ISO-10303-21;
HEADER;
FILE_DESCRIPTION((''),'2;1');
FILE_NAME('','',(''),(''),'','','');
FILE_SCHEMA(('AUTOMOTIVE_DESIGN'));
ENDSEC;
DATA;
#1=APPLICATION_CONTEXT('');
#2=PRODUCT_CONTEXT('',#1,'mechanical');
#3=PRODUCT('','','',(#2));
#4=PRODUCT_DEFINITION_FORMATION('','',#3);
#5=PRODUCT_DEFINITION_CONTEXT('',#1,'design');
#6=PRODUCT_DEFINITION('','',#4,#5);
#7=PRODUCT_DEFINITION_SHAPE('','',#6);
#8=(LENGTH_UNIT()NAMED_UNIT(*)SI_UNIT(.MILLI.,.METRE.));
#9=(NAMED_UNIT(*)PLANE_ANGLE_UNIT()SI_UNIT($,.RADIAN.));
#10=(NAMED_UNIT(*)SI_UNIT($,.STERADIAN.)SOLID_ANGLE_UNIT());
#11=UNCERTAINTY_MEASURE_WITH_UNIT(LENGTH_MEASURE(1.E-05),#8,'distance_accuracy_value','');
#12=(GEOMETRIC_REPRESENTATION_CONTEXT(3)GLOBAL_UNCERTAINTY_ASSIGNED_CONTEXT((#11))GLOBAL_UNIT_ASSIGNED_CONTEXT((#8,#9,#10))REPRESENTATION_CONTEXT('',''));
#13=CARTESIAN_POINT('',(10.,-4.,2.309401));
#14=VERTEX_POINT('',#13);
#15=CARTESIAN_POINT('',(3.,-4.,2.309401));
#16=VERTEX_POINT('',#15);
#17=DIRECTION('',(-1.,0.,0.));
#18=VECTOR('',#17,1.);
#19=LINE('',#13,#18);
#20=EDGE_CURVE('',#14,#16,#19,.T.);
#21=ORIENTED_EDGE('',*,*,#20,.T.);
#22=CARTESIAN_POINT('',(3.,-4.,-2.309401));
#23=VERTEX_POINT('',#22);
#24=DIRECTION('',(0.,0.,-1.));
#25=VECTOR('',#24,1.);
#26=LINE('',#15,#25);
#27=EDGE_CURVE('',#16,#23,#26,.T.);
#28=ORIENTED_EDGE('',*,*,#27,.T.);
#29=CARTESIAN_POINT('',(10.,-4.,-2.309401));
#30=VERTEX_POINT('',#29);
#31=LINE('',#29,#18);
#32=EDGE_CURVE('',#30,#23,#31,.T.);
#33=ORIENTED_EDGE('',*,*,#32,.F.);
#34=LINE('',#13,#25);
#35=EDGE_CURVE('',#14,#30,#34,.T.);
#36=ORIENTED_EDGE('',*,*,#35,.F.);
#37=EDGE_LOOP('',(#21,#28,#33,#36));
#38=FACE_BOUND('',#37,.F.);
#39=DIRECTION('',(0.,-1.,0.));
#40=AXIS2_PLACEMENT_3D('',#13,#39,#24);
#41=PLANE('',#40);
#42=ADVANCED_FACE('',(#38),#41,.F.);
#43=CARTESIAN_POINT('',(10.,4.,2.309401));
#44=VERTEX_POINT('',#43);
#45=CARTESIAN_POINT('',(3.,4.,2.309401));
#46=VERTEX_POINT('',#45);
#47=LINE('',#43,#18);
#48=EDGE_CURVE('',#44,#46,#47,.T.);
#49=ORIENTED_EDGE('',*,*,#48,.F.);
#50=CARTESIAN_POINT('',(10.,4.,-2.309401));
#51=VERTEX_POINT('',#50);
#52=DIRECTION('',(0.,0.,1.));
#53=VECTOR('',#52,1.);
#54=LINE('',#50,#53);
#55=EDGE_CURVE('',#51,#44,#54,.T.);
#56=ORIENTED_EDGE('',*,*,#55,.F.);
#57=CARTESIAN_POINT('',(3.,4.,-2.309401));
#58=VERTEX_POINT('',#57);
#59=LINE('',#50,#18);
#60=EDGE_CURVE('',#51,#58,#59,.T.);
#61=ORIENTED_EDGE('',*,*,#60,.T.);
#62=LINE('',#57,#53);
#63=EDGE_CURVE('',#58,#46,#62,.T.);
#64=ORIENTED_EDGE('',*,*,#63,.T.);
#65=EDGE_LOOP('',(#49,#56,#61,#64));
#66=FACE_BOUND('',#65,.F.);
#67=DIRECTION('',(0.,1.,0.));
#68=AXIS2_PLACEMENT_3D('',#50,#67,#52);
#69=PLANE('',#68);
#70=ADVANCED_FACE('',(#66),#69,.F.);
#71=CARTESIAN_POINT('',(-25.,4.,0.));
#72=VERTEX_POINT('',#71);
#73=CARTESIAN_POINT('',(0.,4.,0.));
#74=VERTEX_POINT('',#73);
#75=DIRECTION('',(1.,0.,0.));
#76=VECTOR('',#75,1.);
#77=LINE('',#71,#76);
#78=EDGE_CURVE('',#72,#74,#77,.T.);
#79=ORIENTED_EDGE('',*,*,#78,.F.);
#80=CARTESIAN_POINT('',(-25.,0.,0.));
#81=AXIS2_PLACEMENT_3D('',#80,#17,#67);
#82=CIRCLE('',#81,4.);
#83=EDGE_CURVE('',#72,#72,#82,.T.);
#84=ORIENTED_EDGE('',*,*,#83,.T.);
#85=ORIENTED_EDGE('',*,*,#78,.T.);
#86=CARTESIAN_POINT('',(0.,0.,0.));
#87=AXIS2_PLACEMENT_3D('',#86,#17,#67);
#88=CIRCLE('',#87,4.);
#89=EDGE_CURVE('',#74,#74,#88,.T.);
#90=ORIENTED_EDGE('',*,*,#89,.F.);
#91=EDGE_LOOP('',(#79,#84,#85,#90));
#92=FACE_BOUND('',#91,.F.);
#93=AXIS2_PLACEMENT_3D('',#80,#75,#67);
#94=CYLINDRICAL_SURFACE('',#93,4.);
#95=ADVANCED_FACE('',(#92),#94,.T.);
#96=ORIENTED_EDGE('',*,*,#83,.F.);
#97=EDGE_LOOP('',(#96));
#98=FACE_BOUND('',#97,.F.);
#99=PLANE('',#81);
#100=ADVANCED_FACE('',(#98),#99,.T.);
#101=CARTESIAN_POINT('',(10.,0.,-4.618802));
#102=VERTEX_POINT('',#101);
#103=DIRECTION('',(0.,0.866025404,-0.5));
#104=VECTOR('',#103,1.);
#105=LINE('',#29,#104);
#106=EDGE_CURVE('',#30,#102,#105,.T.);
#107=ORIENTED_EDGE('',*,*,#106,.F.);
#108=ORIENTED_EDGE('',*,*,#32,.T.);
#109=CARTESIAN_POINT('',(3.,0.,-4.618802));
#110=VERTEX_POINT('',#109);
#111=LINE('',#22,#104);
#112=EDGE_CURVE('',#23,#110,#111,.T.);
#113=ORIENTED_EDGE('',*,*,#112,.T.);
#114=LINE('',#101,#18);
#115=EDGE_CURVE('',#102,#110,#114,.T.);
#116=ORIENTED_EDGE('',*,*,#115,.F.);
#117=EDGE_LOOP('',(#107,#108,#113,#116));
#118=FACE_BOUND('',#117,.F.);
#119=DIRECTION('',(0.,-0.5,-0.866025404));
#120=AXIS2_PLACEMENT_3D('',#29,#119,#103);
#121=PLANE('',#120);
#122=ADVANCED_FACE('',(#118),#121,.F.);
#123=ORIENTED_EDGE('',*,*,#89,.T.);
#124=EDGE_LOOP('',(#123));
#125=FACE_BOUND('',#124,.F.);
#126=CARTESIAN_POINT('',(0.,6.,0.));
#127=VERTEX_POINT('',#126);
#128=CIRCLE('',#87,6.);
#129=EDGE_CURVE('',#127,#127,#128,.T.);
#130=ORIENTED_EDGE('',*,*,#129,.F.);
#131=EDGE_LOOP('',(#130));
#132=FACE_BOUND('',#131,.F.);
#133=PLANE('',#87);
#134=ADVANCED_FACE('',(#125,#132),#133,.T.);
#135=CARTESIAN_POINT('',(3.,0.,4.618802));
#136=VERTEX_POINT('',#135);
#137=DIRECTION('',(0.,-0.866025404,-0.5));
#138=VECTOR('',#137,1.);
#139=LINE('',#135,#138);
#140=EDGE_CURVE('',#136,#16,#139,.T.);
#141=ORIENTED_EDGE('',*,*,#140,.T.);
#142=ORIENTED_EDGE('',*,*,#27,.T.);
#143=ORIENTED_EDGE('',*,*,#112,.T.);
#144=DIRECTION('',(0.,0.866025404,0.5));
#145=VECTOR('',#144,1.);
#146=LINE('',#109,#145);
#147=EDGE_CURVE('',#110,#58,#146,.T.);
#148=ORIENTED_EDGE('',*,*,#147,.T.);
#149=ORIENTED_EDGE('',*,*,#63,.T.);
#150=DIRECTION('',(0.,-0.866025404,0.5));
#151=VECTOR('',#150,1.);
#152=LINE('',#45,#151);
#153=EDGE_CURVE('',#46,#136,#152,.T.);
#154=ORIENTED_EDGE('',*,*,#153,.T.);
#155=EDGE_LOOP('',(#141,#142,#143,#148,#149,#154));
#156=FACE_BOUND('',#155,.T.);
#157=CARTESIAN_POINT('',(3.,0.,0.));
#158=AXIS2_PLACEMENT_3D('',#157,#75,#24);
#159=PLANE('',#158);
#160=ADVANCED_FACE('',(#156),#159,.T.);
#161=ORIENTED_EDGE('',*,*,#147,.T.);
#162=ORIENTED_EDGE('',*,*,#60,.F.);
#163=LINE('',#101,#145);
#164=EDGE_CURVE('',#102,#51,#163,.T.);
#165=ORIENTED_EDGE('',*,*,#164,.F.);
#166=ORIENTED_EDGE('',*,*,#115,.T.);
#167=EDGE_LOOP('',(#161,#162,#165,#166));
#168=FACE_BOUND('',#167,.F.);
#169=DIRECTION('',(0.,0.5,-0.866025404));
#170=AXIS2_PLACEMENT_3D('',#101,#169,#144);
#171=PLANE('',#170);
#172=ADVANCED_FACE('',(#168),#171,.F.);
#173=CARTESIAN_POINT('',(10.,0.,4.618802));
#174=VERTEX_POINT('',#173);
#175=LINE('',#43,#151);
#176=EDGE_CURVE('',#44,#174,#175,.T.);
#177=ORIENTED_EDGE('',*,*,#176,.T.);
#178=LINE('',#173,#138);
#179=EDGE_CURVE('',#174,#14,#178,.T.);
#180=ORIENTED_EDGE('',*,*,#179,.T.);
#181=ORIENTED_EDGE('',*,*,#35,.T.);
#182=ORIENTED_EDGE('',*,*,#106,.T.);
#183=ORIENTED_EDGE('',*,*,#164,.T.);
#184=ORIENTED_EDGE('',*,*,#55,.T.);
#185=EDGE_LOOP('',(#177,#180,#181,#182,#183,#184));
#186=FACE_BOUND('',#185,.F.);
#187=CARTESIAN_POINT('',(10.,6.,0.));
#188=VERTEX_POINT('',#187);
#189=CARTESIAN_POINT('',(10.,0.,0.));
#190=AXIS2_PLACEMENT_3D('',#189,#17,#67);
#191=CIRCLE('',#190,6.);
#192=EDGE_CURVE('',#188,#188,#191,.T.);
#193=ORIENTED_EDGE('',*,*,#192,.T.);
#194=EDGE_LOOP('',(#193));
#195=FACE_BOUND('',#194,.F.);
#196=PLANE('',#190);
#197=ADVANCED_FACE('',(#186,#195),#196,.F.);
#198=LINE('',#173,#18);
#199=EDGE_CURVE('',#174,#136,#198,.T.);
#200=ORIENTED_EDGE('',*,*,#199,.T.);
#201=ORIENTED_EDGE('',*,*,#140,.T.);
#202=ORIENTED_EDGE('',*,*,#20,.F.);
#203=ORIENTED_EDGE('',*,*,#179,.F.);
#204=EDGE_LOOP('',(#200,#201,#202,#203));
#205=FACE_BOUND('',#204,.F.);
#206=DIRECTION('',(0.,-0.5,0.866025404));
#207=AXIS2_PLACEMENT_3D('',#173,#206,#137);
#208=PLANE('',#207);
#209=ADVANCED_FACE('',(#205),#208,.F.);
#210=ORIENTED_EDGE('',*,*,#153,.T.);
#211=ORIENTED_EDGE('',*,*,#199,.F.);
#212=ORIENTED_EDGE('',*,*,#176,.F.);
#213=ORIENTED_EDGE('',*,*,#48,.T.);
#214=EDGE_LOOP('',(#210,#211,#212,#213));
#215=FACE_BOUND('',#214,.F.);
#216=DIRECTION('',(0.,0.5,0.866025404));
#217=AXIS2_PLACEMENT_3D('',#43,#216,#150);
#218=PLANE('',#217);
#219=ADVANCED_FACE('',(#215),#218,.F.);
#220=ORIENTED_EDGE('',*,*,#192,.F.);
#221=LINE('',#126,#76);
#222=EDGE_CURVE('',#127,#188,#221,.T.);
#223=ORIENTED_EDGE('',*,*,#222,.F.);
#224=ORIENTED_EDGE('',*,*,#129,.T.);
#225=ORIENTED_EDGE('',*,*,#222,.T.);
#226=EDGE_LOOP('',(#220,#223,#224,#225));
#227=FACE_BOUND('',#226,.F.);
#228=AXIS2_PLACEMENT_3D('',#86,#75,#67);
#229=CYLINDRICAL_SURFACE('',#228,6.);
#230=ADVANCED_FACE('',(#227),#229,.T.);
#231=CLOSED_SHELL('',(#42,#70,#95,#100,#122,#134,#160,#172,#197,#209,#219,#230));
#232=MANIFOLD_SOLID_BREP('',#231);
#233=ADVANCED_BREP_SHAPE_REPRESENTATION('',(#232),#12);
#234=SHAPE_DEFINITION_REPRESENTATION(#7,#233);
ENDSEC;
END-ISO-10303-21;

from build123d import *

# Parameters (mm, degrees)
CUT_EXTRUDE1_DEPTH = 7


with BuildPart() as part:
    # Sketch1 → Revolve1 (revolve)
    with BuildSketch(Plane.XY):
        Polygon((10, 0), (-25, 0), (-25, 4), (0, 4), (0, 6), (10, 6), align=None)
    revolve(axis=Axis((10, 0, 0), (-1, 0, 0)))

    # Sketch2 → Cut-Extrude1 (cut)
    with BuildSketch(Plane(origin=(10, 0, 0), x_dir=(0, 0, -1), z_dir=(1, 0, 0))):
        Polygon((4.618802154, 0), (2.309401077, 4), (-2.309401077, 4), (-4.618802154, 0), (-2.309401077, -4), (2.309401077, -4), align=None)
    extrude(amount=-CUT_EXTRUDE1_DEPTH, mode=Mode.SUBTRACT)


solid = part.part
